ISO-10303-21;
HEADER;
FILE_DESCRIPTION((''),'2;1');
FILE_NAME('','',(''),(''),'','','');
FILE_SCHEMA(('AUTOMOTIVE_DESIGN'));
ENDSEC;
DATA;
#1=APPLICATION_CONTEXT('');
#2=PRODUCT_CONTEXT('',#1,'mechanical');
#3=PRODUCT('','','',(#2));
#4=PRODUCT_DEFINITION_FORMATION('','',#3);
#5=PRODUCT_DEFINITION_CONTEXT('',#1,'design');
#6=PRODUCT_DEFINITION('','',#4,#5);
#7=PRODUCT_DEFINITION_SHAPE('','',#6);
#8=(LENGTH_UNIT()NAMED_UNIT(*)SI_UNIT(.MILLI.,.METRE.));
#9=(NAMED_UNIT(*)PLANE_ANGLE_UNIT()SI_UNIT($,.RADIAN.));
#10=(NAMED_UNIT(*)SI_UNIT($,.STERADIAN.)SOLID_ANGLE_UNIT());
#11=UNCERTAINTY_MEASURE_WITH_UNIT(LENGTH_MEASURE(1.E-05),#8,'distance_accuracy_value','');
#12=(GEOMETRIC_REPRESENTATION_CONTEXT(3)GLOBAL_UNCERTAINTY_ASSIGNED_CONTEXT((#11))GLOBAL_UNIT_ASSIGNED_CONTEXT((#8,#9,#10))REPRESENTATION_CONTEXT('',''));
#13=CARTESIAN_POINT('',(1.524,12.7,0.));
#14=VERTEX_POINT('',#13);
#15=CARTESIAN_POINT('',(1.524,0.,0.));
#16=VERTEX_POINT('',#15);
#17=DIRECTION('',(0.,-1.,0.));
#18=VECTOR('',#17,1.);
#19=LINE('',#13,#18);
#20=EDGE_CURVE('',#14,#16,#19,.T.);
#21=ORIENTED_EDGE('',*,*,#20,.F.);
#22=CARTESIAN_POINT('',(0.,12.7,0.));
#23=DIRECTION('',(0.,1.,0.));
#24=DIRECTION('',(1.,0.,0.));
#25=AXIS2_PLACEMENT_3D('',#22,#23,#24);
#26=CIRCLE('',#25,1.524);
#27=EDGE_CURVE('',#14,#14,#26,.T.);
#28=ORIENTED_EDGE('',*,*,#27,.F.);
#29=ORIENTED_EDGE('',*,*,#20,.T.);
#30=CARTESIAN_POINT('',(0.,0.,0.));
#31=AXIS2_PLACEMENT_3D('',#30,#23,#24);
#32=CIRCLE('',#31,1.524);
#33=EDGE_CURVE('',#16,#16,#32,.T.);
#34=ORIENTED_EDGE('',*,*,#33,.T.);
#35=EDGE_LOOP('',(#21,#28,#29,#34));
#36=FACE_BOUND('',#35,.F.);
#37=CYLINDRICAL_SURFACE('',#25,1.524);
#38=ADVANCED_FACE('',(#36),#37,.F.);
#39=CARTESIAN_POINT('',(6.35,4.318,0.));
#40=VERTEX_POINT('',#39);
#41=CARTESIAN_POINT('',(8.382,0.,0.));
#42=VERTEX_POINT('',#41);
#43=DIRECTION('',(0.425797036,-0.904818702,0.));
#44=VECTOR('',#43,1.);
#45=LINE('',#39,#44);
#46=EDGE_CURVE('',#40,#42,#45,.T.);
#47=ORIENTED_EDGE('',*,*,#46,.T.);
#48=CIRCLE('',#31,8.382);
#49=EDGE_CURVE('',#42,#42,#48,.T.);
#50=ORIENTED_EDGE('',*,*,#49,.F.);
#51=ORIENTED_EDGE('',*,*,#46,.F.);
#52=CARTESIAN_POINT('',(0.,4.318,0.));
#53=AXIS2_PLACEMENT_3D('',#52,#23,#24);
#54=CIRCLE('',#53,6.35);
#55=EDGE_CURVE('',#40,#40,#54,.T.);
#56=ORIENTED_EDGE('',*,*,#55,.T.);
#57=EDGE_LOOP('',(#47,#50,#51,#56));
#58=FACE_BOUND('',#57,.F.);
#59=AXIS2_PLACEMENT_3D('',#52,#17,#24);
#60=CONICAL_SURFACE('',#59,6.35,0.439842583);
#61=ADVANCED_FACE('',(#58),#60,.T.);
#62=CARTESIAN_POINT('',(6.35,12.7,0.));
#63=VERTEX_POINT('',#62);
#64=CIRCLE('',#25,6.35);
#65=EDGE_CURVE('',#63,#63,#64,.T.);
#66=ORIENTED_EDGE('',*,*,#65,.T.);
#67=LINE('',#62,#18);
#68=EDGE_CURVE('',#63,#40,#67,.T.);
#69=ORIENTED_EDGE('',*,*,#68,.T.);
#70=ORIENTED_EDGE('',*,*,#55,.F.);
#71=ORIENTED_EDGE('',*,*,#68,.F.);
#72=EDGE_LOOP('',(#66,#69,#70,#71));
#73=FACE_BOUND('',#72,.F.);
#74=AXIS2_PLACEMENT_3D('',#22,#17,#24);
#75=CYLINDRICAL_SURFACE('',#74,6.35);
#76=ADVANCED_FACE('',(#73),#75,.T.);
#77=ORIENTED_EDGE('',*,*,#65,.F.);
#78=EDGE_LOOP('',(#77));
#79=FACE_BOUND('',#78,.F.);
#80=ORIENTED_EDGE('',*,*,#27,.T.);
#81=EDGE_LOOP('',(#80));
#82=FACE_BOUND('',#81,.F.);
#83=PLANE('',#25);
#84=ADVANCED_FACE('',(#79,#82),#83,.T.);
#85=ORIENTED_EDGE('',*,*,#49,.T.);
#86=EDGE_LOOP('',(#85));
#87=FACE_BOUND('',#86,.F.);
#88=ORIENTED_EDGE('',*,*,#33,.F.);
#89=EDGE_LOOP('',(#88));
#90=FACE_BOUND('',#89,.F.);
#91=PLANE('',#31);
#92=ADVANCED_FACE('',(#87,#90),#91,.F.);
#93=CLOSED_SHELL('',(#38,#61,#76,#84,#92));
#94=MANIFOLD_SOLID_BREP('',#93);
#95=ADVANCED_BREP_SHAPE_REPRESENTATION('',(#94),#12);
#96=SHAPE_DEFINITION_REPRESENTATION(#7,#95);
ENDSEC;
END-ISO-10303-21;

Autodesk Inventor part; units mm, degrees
ref_plane "YZ Plane" through (0, 0, 0) normal (1, 0, 0) x (0, 1, 0)
ref_plane "XZ Plane" through (0, 0, 0) normal (0, 1, 0) x (-1, 0, 0)
ref_plane "XY Plane" through (0, 0, 0) normal (0, 0, 1) x (1, 0, 0)
sketch "Sketch1" plane through (0, 0, 0) normal (0, 0, 1) x (1, 0, 0)
  line L0 (8.382, 0) -> (0, 0)
  line L1 (0, 0) -> (0, 12.7)
  line L2 (0, 12.7) -> (6.35, 12.7)
  line L3 (6.35, 12.7) -> (6.35, 4.318)
  line L4 (6.35, 4.318) -> (8.382, 0)
  dimension "d0" = 8.382
  dimension "d1" = 12.7
  dimension "d2" = 8.382
  dimension "d3" = 6.35
revolve "Revolution1" add sketch "Sketch1" angle 360 about axis through (0, 0, 0) along (0, 1, 0)
sketch "Sketch2" plane through (0, 12.7, 0) normal (0, 1, 0) x (1, 0, 0)
  circle A0 centre (0, 0) radius 6.35 projected
  circle A1 centre (0, 0) radius 1.524
  dimension "d5" = 3.048
extrude "Extrusion1" cut sketch "Sketch2" against normal through all contours A1
properties part number "Offset" material "Polycarbonate, Smoke"
